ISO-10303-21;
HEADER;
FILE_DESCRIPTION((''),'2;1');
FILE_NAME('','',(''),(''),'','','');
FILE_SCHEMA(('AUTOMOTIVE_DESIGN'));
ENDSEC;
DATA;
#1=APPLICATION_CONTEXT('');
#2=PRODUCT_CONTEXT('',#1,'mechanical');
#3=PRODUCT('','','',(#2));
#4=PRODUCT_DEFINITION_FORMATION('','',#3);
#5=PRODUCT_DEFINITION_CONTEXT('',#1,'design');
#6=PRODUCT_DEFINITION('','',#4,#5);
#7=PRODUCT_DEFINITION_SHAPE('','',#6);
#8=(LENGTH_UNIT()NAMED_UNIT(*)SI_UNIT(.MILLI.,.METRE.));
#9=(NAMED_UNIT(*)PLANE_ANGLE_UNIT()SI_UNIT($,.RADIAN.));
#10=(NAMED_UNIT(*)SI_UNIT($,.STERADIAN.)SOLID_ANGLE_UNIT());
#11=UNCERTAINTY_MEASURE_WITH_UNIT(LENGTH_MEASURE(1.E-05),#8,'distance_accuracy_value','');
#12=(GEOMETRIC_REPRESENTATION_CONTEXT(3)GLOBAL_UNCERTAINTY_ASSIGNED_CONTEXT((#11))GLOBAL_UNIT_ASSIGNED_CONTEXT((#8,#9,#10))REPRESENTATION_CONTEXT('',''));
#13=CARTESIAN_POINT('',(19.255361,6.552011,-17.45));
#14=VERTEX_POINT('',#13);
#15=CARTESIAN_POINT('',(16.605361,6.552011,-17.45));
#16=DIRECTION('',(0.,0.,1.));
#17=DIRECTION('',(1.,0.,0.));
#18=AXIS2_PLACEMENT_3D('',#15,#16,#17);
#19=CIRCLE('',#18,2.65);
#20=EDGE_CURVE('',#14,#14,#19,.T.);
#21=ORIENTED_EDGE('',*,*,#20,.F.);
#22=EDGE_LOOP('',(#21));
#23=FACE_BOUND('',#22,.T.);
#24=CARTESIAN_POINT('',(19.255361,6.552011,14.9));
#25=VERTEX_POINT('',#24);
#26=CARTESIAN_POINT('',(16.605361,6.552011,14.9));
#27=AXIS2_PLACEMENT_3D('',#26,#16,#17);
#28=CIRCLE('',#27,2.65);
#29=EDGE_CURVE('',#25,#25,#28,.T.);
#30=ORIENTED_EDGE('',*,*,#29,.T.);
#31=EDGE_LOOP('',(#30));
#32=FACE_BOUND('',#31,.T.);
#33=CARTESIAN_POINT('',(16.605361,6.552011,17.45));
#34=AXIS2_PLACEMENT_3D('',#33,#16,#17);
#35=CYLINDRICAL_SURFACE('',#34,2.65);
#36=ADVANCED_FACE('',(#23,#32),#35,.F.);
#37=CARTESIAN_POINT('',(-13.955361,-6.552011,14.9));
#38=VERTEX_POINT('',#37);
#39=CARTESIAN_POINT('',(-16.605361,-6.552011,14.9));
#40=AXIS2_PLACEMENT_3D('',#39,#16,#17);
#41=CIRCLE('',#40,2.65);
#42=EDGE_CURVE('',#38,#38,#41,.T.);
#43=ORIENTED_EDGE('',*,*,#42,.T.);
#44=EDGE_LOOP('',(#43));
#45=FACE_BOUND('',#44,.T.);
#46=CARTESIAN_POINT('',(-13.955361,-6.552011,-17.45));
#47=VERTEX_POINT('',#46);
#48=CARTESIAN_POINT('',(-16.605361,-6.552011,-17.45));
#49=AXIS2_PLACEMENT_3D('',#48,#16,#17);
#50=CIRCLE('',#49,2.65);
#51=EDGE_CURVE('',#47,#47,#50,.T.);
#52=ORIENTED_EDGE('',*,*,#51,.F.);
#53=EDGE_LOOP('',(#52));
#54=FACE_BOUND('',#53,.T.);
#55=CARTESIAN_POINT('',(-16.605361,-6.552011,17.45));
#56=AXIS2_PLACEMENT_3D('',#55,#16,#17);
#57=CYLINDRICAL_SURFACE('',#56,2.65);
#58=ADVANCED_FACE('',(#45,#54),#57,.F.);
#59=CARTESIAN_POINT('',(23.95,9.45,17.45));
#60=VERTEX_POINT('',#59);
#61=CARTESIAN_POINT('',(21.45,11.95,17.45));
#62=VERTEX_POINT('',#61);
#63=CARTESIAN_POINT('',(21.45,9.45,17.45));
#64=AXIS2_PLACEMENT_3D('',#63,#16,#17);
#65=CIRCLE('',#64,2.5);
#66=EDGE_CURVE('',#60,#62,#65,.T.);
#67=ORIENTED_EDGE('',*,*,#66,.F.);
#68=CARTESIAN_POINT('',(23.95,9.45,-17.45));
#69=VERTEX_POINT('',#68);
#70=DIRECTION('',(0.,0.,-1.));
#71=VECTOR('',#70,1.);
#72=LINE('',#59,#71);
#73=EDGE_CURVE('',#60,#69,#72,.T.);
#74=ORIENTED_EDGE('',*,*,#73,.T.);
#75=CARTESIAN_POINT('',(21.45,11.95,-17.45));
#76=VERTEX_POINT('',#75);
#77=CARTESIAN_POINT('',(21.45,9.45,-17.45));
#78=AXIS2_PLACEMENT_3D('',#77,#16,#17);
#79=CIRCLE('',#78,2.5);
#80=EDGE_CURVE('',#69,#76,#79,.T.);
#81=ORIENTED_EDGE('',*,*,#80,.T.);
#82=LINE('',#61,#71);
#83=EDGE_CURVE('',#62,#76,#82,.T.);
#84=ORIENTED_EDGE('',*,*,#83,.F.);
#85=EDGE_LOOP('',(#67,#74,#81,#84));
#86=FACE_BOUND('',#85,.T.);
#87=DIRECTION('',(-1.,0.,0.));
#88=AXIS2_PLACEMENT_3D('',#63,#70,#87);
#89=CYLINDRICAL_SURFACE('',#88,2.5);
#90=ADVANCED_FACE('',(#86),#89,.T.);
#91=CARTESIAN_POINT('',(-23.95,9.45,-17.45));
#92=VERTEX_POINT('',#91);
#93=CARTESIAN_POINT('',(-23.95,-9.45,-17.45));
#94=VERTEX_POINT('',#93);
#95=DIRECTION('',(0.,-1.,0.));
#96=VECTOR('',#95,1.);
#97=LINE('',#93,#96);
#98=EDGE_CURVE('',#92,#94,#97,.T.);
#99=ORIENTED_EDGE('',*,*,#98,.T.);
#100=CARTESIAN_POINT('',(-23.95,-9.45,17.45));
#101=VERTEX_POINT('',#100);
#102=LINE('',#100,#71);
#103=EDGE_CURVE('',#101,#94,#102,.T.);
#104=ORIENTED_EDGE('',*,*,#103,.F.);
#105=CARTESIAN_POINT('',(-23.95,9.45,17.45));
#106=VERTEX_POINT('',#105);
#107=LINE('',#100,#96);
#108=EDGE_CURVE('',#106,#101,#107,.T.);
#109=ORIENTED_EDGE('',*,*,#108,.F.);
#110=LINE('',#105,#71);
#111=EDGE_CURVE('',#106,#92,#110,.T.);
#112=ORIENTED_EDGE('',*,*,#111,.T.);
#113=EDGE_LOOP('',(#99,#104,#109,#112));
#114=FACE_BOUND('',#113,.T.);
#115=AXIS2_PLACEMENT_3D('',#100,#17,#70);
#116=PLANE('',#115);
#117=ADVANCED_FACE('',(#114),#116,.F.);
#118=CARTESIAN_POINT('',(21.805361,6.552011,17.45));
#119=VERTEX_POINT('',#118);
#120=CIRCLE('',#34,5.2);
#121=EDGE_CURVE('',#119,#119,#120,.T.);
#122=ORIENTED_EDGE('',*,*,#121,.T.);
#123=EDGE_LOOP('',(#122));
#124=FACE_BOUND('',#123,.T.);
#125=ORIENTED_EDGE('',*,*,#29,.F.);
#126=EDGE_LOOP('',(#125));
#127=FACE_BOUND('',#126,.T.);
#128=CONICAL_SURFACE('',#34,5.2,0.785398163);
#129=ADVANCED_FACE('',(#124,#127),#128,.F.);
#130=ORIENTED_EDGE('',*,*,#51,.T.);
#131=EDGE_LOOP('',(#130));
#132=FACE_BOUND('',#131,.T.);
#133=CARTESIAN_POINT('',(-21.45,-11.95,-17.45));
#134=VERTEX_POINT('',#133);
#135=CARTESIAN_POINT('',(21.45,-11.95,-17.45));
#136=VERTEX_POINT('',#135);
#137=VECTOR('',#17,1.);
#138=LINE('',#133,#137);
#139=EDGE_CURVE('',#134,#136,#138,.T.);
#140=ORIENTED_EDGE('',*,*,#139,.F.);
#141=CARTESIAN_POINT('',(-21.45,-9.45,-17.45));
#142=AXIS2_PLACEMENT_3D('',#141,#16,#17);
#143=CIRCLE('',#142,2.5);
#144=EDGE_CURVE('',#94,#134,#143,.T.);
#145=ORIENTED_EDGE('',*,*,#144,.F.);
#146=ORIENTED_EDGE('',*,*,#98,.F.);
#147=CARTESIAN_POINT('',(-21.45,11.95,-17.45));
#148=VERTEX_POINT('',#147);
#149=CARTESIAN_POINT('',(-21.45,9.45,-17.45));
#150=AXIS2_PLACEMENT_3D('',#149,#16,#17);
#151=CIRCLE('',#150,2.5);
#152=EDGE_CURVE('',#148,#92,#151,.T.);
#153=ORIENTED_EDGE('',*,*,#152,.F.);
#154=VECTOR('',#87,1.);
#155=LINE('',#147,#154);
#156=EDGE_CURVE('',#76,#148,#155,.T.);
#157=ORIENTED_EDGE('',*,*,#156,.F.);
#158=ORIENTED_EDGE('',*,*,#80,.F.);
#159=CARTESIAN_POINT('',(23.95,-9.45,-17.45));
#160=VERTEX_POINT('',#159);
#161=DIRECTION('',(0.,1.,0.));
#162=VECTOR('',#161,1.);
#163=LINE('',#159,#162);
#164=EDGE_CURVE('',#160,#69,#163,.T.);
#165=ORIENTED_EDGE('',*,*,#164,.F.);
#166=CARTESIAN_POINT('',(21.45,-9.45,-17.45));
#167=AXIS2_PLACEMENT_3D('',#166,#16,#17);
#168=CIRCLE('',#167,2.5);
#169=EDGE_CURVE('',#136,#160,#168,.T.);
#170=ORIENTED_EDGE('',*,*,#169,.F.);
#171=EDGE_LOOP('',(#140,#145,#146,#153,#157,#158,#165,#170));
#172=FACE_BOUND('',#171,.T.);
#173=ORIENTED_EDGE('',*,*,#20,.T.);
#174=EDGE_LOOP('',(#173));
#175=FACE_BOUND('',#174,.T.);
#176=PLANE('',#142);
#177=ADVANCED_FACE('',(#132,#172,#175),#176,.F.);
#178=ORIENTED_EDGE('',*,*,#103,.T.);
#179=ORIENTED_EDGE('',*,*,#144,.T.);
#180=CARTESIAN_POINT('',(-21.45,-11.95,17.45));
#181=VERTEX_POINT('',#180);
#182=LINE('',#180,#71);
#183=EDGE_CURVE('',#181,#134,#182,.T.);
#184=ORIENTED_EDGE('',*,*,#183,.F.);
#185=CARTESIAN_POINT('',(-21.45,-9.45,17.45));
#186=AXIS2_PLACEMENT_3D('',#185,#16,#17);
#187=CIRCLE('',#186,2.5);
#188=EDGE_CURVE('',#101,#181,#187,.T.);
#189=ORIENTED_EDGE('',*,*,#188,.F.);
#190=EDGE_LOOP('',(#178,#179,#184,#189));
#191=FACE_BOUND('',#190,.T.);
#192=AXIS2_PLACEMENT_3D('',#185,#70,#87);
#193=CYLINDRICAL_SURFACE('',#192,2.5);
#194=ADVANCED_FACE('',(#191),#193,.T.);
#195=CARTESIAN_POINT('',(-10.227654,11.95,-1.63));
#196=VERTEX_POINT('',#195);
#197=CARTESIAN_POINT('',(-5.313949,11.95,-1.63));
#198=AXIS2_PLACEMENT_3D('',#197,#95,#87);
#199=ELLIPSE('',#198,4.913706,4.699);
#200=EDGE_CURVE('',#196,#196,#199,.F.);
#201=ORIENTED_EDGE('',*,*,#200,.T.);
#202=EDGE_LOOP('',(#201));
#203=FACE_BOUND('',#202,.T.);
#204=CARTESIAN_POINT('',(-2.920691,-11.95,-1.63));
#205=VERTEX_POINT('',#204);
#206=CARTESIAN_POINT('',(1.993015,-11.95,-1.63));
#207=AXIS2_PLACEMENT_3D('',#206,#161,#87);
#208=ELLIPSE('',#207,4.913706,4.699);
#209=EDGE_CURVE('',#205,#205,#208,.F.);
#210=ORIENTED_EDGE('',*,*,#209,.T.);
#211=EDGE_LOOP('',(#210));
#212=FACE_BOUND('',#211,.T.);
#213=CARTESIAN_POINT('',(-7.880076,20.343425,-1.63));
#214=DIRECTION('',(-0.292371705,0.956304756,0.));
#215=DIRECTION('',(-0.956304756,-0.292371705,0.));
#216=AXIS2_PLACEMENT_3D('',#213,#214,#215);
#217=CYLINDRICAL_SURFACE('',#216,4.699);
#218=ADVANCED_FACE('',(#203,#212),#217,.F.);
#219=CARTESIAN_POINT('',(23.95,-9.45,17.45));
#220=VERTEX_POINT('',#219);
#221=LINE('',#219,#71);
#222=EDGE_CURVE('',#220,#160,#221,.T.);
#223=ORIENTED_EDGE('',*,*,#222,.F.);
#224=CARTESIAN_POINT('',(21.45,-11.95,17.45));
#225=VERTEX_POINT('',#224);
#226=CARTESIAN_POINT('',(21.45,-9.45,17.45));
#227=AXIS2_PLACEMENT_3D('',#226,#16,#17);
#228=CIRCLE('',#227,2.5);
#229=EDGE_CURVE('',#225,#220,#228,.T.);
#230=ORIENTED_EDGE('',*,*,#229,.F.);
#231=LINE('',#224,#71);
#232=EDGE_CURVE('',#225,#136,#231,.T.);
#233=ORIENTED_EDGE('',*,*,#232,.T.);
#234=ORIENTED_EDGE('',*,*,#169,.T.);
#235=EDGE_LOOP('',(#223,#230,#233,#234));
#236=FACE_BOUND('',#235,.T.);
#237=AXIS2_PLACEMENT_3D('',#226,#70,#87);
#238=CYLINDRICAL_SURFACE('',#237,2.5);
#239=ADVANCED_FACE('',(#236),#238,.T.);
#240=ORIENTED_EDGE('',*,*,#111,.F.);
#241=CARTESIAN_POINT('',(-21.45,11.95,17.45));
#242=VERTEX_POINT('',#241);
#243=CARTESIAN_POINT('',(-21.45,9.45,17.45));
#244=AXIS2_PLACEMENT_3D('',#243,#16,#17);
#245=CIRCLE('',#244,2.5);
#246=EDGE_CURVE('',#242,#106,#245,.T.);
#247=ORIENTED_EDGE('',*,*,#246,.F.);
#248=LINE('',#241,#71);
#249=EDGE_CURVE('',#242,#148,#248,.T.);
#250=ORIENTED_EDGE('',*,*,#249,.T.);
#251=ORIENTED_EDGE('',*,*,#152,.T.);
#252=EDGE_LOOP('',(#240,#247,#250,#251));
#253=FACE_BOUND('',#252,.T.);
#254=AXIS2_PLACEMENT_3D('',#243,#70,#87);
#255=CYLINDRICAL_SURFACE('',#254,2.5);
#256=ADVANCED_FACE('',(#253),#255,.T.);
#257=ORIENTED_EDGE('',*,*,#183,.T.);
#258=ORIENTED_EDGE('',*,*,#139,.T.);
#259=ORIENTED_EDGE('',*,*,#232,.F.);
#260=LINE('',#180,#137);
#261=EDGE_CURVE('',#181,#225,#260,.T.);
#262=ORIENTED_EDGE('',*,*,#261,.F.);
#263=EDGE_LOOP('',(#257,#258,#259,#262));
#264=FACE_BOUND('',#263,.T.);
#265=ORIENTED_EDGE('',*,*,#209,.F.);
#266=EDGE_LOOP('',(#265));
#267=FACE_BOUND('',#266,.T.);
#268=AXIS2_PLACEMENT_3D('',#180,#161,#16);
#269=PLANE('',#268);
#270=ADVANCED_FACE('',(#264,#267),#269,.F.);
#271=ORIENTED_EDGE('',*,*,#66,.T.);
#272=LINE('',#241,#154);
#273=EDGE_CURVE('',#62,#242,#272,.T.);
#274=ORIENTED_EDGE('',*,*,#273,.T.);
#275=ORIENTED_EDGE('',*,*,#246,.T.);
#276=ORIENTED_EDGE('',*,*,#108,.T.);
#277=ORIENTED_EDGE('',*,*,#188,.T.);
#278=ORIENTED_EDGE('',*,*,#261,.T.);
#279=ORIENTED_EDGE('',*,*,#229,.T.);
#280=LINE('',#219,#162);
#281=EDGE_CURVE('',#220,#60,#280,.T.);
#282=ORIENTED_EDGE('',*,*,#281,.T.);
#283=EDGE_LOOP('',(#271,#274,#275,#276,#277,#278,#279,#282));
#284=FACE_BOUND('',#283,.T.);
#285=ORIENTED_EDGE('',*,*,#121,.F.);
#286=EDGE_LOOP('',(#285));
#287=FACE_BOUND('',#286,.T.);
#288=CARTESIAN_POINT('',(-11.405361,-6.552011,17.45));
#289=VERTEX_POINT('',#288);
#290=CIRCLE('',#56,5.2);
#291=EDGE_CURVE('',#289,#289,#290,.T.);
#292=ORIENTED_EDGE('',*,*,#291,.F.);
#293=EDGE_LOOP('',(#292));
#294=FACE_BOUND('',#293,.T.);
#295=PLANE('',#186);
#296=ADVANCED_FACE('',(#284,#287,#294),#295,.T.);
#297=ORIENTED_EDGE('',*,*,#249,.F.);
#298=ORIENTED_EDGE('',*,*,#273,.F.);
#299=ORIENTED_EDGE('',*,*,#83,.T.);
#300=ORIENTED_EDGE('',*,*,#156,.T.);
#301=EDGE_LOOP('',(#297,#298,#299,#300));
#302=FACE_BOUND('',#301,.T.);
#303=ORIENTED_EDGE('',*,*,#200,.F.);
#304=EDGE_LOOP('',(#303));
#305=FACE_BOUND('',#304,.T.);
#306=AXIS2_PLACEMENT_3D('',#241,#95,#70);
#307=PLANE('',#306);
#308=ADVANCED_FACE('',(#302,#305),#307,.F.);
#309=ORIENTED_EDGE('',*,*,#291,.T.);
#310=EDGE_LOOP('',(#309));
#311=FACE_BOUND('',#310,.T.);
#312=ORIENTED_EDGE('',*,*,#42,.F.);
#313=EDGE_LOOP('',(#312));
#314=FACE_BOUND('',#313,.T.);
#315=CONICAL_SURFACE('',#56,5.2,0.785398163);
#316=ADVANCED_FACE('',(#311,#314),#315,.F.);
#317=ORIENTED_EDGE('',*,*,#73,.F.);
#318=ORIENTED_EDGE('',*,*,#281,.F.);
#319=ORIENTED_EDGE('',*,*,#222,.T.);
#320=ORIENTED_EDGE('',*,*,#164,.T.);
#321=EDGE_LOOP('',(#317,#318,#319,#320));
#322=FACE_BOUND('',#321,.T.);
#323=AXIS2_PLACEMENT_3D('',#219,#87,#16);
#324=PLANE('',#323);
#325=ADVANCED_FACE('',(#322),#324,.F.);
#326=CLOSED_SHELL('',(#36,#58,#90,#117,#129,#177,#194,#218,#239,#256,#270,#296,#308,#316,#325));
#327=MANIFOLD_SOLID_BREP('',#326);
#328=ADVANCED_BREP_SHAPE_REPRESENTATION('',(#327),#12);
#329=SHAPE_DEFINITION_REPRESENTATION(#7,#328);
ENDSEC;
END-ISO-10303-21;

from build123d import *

# Parameters (mm, degrees)
BOSS_EXTRUDE1_DEPTH                             = 17.45
CSK_FOR_M5_FLAT_HEAD_MACHINE_SCREW1_D           = 5.3
CSK_FOR_M5_FLAT_HEAD_MACHINE_SCREW1_CSINK_D     = 10.4
CSK_FOR_M5_FLAT_HEAD_MACHINE_SCREW1_CSINK_ANGLE = 90
SKETCH24_W                                      = 4.699
SKETCH24_H                                      = 43.607186054


with BuildPart() as part:
    # Sketch1 → Boss-Extrude1 (new body, symmetric)
    with BuildSketch(Plane.XY):
        with BuildLine():
            Line((-21.45, -11.95), (21.45, -11.95))
            ThreePointArc((21.45, -11.95), (23.217766953, -11.217766953), (23.95, -9.45))
            Line((23.95, -9.45), (23.95, 9.45))
            ThreePointArc((23.95, 9.45), (23.217766953, 11.217766953), (21.45, 11.95))
            Line((21.45, 11.95), (-21.45, 11.95))
            ThreePointArc((-21.45, 11.95), (-23.217766953, 11.217766953), (-23.95, 9.45))
            Line((-23.95, 9.45), (-23.95, -9.45))
            ThreePointArc((-23.95, -9.45), (-23.217766953, -11.217766953), (-21.45, -11.95))
        make_face()
    extrude(amount=BOSS_EXTRUDE1_DEPTH, both=True)

    # CSK for M5 Flat Head Machine Screw1 (through all)
    with Locations(Plane.XY.offset(17.45)):
        with Locations((-16.605361405, -6.552011076), (16.605361405, 6.552011076)):
            CounterSinkHole(CSK_FOR_M5_FLAT_HEAD_MACHINE_SCREW1_D / 2, CSK_FOR_M5_FLAT_HEAD_MACHINE_SCREW1_CSINK_D / 2, counter_sink_angle=CSK_FOR_M5_FLAT_HEAD_MACHINE_SCREW1_CSINK_ANGLE)

    # Sketch24 → Cut-Revolve2 (revolve, cut)
    with BuildSketch(Plane(origin=(-1.518528381, -0.464260717, 0), x_dir=(0, 0, -1), z_dir=(0.956304756, 0.292371705, 0))):
        with Locations((3.9795, -0.045167625)):
            Rectangle(SKETCH24_W, SKETCH24_H)
    revolve(axis=Axis((-7.880076307, 20.343424977, -1.63), (0.292371705, -0.956304756, 0)), mode=Mode.SUBTRACT)


solid = part.part
